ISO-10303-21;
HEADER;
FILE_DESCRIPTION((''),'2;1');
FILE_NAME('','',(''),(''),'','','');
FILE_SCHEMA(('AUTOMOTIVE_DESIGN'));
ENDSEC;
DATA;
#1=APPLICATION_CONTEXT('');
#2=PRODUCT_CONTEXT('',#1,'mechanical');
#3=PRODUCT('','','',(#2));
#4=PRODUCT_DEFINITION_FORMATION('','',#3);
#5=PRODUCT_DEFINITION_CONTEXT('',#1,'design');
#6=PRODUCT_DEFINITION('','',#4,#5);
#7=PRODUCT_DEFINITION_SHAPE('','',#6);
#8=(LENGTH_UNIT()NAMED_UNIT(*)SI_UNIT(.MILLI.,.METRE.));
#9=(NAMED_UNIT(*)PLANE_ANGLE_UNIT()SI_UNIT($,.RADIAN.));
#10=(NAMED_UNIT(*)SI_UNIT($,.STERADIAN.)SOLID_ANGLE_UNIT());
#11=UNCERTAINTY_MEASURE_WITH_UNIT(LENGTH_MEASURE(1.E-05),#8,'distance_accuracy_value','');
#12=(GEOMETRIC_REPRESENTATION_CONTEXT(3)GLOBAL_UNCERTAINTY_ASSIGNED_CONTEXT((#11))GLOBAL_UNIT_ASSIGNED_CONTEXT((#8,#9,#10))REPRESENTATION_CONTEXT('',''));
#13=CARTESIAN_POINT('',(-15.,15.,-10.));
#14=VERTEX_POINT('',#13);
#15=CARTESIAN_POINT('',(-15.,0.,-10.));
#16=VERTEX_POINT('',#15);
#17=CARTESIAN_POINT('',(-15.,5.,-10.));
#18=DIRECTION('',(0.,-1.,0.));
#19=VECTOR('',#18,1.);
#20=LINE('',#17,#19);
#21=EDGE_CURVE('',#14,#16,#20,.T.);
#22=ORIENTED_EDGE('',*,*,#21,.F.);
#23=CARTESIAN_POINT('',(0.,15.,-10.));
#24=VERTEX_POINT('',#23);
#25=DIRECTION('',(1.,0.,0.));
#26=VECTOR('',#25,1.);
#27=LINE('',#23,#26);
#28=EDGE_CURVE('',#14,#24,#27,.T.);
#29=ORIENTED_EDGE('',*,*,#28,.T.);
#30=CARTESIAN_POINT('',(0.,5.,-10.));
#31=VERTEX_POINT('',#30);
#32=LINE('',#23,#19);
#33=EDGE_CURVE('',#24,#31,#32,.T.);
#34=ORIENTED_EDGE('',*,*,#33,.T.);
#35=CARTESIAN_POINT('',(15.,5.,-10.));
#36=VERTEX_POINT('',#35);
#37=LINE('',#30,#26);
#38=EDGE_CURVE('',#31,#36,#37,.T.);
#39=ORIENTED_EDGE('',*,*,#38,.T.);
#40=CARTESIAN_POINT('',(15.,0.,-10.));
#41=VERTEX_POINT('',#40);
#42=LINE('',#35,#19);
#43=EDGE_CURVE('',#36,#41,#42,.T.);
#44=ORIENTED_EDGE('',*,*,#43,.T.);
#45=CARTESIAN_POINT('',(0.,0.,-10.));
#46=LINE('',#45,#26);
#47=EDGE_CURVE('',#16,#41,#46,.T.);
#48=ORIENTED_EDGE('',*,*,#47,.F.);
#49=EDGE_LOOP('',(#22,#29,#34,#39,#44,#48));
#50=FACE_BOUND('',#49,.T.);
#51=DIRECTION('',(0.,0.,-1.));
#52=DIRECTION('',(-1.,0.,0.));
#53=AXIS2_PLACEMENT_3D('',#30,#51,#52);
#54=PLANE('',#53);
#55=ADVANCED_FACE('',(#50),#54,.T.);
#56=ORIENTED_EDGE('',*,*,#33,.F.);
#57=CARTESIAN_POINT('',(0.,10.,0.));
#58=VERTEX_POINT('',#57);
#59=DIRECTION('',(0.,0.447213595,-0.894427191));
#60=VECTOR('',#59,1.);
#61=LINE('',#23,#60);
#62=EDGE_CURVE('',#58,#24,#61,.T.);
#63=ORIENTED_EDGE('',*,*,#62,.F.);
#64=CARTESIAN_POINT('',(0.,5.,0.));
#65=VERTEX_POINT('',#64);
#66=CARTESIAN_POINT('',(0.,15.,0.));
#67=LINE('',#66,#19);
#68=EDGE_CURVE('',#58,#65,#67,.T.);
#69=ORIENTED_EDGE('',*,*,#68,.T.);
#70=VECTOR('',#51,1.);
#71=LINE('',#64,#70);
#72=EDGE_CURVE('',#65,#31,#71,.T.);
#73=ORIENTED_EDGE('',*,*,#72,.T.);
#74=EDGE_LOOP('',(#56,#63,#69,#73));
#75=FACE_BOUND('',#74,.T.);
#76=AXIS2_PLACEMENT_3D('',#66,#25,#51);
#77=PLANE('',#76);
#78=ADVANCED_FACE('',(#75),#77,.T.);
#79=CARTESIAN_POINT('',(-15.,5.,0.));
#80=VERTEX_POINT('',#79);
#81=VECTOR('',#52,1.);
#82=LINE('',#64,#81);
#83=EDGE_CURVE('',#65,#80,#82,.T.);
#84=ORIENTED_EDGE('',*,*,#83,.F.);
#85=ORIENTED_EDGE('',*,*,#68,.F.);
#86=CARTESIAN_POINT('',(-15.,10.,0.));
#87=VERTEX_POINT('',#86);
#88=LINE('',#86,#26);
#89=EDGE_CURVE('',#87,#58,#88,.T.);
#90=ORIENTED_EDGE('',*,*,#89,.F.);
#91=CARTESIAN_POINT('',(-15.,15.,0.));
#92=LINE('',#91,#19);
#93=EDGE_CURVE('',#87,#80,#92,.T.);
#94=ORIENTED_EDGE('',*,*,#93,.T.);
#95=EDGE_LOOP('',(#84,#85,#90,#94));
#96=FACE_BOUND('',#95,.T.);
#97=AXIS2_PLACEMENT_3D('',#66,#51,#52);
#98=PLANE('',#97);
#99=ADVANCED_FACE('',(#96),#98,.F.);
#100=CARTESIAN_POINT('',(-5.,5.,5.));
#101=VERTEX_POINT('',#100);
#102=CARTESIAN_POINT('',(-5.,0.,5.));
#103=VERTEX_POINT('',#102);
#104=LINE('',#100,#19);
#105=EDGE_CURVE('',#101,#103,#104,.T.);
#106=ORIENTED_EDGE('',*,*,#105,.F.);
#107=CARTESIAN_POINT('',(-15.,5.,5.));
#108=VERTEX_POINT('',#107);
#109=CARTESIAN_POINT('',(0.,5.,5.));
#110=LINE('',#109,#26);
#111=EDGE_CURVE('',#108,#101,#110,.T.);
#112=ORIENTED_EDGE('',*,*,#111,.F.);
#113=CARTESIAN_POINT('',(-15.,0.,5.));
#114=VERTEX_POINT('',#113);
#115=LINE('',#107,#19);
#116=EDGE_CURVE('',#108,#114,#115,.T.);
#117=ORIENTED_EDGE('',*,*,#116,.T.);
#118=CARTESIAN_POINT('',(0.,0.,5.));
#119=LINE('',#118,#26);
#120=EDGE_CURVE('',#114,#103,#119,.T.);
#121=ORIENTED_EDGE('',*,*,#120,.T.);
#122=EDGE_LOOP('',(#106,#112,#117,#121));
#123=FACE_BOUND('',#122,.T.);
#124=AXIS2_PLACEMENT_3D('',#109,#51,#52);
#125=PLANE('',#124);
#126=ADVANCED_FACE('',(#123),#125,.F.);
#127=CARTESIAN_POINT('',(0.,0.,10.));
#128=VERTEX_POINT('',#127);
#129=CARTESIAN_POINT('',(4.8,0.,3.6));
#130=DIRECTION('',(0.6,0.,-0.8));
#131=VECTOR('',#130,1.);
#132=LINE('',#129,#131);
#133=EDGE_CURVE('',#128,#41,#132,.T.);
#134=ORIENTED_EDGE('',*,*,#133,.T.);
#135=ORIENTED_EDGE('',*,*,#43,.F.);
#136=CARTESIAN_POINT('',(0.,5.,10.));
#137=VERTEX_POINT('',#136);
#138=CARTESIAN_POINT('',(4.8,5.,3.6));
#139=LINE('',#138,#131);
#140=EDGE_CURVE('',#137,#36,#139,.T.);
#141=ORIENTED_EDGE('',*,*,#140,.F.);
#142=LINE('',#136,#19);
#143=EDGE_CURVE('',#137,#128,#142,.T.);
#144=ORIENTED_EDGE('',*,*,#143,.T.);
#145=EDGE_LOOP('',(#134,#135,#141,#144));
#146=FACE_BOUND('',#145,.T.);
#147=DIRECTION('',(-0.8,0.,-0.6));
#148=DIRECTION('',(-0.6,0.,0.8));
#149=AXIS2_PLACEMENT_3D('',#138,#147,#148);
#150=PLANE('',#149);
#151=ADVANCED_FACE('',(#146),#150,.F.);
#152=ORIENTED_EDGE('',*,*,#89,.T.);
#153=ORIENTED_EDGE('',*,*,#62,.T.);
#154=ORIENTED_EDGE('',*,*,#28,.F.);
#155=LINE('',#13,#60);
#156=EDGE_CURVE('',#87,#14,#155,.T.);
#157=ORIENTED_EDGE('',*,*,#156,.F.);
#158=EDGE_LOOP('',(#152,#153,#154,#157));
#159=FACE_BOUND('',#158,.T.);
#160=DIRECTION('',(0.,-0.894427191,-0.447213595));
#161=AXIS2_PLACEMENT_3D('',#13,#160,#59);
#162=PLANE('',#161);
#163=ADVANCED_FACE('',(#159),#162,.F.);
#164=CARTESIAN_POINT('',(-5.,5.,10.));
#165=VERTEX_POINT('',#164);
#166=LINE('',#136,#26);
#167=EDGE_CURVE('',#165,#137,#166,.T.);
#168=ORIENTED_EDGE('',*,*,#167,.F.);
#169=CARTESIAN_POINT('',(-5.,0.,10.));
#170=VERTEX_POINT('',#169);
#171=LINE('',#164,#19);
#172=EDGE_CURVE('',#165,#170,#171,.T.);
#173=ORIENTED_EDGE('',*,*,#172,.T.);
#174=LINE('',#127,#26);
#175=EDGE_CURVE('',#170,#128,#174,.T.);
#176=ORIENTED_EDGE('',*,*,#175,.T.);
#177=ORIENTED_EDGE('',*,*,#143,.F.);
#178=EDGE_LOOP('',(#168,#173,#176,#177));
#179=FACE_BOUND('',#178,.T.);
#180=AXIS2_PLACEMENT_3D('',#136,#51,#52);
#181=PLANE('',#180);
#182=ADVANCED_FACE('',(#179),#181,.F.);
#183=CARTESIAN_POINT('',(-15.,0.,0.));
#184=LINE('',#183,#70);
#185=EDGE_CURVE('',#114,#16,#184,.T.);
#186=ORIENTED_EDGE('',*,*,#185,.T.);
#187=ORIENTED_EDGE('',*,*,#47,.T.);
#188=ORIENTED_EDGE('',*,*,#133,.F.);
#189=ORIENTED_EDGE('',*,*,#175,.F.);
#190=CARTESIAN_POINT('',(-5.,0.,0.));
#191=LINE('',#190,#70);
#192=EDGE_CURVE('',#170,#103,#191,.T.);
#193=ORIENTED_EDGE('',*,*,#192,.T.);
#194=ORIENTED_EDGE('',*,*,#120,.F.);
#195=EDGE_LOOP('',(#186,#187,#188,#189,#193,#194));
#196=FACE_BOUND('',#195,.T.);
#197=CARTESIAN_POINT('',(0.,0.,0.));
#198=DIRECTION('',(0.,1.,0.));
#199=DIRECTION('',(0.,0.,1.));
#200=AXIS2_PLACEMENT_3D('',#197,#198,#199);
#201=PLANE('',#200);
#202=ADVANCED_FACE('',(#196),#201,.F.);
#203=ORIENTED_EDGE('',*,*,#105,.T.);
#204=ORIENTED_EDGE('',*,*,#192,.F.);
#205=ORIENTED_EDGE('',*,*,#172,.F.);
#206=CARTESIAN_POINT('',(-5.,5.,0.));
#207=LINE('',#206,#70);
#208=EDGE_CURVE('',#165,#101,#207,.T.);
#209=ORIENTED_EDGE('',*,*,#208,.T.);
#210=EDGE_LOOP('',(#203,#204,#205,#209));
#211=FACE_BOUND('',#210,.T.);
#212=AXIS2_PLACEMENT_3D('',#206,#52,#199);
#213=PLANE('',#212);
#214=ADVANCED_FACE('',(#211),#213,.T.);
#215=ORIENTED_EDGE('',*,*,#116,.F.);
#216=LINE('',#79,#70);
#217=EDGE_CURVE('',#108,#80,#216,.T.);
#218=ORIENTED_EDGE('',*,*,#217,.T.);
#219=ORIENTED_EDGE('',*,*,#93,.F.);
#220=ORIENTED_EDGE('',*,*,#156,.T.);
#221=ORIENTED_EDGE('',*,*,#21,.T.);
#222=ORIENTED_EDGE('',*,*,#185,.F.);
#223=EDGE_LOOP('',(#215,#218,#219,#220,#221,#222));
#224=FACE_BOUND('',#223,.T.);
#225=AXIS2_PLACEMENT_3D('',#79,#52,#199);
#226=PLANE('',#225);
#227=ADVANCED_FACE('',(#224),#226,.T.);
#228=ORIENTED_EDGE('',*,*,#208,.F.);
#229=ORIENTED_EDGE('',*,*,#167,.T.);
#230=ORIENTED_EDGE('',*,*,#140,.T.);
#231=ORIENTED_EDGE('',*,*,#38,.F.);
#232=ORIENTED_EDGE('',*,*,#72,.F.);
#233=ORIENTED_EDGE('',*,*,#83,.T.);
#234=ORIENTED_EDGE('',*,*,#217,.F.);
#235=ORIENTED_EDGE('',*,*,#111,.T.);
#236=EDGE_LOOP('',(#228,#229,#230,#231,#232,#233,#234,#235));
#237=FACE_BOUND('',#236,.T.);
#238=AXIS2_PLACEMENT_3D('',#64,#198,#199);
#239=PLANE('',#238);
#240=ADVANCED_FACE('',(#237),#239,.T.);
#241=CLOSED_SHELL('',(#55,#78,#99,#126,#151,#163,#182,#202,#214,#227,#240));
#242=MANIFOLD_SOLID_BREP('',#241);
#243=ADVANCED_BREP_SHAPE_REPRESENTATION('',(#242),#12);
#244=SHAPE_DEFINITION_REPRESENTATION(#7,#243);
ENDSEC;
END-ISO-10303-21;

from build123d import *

# Parameters (mm, degrees)
EXTRUDE_1_DEPTH     = 5
SKETCH_1_3_W        = 15
SKETCH_1_3_H        = 10
EXTRUDE_2_DEPTH     = 15
CUT_EXTRUDE_1_DEPTH = 15


with BuildPart() as part:
    # 草圖1 → 填料-伸長1 (new body)
    with BuildSketch(Plane(origin=(0, 0, 0), x_dir=(1, 0, 0), z_dir=(0, 1, 0))):
        Polygon((-5, -10), (0, -10), (15, 10), (-15, 10), (-15, -5), (-5, -5), align=None)
    extrude(amount=EXTRUDE_1_DEPTH)

    # 草圖1<3> → 填料-伸長2 (add)
    with BuildSketch(Plane(origin=(0, 0, 0), x_dir=(1, 0, 0), z_dir=(0, 1, 0))):
        with Locations((-7.5, 5)):
            Rectangle(SKETCH_1_3_W, SKETCH_1_3_H)
    extrude(amount=EXTRUDE_2_DEPTH)

    # 草圖2 → 除料-伸長1 (cut)
    with BuildSketch(Plane(origin=(0, 0, 0), x_dir=(0, 0, -1), z_dir=(1, 0, 0))):
        Polygon((10, 15), (0, 10), (0, 15), align=None)
    extrude(amount=-CUT_EXTRUDE_1_DEPTH, mode=Mode.SUBTRACT)


solid = part.part
